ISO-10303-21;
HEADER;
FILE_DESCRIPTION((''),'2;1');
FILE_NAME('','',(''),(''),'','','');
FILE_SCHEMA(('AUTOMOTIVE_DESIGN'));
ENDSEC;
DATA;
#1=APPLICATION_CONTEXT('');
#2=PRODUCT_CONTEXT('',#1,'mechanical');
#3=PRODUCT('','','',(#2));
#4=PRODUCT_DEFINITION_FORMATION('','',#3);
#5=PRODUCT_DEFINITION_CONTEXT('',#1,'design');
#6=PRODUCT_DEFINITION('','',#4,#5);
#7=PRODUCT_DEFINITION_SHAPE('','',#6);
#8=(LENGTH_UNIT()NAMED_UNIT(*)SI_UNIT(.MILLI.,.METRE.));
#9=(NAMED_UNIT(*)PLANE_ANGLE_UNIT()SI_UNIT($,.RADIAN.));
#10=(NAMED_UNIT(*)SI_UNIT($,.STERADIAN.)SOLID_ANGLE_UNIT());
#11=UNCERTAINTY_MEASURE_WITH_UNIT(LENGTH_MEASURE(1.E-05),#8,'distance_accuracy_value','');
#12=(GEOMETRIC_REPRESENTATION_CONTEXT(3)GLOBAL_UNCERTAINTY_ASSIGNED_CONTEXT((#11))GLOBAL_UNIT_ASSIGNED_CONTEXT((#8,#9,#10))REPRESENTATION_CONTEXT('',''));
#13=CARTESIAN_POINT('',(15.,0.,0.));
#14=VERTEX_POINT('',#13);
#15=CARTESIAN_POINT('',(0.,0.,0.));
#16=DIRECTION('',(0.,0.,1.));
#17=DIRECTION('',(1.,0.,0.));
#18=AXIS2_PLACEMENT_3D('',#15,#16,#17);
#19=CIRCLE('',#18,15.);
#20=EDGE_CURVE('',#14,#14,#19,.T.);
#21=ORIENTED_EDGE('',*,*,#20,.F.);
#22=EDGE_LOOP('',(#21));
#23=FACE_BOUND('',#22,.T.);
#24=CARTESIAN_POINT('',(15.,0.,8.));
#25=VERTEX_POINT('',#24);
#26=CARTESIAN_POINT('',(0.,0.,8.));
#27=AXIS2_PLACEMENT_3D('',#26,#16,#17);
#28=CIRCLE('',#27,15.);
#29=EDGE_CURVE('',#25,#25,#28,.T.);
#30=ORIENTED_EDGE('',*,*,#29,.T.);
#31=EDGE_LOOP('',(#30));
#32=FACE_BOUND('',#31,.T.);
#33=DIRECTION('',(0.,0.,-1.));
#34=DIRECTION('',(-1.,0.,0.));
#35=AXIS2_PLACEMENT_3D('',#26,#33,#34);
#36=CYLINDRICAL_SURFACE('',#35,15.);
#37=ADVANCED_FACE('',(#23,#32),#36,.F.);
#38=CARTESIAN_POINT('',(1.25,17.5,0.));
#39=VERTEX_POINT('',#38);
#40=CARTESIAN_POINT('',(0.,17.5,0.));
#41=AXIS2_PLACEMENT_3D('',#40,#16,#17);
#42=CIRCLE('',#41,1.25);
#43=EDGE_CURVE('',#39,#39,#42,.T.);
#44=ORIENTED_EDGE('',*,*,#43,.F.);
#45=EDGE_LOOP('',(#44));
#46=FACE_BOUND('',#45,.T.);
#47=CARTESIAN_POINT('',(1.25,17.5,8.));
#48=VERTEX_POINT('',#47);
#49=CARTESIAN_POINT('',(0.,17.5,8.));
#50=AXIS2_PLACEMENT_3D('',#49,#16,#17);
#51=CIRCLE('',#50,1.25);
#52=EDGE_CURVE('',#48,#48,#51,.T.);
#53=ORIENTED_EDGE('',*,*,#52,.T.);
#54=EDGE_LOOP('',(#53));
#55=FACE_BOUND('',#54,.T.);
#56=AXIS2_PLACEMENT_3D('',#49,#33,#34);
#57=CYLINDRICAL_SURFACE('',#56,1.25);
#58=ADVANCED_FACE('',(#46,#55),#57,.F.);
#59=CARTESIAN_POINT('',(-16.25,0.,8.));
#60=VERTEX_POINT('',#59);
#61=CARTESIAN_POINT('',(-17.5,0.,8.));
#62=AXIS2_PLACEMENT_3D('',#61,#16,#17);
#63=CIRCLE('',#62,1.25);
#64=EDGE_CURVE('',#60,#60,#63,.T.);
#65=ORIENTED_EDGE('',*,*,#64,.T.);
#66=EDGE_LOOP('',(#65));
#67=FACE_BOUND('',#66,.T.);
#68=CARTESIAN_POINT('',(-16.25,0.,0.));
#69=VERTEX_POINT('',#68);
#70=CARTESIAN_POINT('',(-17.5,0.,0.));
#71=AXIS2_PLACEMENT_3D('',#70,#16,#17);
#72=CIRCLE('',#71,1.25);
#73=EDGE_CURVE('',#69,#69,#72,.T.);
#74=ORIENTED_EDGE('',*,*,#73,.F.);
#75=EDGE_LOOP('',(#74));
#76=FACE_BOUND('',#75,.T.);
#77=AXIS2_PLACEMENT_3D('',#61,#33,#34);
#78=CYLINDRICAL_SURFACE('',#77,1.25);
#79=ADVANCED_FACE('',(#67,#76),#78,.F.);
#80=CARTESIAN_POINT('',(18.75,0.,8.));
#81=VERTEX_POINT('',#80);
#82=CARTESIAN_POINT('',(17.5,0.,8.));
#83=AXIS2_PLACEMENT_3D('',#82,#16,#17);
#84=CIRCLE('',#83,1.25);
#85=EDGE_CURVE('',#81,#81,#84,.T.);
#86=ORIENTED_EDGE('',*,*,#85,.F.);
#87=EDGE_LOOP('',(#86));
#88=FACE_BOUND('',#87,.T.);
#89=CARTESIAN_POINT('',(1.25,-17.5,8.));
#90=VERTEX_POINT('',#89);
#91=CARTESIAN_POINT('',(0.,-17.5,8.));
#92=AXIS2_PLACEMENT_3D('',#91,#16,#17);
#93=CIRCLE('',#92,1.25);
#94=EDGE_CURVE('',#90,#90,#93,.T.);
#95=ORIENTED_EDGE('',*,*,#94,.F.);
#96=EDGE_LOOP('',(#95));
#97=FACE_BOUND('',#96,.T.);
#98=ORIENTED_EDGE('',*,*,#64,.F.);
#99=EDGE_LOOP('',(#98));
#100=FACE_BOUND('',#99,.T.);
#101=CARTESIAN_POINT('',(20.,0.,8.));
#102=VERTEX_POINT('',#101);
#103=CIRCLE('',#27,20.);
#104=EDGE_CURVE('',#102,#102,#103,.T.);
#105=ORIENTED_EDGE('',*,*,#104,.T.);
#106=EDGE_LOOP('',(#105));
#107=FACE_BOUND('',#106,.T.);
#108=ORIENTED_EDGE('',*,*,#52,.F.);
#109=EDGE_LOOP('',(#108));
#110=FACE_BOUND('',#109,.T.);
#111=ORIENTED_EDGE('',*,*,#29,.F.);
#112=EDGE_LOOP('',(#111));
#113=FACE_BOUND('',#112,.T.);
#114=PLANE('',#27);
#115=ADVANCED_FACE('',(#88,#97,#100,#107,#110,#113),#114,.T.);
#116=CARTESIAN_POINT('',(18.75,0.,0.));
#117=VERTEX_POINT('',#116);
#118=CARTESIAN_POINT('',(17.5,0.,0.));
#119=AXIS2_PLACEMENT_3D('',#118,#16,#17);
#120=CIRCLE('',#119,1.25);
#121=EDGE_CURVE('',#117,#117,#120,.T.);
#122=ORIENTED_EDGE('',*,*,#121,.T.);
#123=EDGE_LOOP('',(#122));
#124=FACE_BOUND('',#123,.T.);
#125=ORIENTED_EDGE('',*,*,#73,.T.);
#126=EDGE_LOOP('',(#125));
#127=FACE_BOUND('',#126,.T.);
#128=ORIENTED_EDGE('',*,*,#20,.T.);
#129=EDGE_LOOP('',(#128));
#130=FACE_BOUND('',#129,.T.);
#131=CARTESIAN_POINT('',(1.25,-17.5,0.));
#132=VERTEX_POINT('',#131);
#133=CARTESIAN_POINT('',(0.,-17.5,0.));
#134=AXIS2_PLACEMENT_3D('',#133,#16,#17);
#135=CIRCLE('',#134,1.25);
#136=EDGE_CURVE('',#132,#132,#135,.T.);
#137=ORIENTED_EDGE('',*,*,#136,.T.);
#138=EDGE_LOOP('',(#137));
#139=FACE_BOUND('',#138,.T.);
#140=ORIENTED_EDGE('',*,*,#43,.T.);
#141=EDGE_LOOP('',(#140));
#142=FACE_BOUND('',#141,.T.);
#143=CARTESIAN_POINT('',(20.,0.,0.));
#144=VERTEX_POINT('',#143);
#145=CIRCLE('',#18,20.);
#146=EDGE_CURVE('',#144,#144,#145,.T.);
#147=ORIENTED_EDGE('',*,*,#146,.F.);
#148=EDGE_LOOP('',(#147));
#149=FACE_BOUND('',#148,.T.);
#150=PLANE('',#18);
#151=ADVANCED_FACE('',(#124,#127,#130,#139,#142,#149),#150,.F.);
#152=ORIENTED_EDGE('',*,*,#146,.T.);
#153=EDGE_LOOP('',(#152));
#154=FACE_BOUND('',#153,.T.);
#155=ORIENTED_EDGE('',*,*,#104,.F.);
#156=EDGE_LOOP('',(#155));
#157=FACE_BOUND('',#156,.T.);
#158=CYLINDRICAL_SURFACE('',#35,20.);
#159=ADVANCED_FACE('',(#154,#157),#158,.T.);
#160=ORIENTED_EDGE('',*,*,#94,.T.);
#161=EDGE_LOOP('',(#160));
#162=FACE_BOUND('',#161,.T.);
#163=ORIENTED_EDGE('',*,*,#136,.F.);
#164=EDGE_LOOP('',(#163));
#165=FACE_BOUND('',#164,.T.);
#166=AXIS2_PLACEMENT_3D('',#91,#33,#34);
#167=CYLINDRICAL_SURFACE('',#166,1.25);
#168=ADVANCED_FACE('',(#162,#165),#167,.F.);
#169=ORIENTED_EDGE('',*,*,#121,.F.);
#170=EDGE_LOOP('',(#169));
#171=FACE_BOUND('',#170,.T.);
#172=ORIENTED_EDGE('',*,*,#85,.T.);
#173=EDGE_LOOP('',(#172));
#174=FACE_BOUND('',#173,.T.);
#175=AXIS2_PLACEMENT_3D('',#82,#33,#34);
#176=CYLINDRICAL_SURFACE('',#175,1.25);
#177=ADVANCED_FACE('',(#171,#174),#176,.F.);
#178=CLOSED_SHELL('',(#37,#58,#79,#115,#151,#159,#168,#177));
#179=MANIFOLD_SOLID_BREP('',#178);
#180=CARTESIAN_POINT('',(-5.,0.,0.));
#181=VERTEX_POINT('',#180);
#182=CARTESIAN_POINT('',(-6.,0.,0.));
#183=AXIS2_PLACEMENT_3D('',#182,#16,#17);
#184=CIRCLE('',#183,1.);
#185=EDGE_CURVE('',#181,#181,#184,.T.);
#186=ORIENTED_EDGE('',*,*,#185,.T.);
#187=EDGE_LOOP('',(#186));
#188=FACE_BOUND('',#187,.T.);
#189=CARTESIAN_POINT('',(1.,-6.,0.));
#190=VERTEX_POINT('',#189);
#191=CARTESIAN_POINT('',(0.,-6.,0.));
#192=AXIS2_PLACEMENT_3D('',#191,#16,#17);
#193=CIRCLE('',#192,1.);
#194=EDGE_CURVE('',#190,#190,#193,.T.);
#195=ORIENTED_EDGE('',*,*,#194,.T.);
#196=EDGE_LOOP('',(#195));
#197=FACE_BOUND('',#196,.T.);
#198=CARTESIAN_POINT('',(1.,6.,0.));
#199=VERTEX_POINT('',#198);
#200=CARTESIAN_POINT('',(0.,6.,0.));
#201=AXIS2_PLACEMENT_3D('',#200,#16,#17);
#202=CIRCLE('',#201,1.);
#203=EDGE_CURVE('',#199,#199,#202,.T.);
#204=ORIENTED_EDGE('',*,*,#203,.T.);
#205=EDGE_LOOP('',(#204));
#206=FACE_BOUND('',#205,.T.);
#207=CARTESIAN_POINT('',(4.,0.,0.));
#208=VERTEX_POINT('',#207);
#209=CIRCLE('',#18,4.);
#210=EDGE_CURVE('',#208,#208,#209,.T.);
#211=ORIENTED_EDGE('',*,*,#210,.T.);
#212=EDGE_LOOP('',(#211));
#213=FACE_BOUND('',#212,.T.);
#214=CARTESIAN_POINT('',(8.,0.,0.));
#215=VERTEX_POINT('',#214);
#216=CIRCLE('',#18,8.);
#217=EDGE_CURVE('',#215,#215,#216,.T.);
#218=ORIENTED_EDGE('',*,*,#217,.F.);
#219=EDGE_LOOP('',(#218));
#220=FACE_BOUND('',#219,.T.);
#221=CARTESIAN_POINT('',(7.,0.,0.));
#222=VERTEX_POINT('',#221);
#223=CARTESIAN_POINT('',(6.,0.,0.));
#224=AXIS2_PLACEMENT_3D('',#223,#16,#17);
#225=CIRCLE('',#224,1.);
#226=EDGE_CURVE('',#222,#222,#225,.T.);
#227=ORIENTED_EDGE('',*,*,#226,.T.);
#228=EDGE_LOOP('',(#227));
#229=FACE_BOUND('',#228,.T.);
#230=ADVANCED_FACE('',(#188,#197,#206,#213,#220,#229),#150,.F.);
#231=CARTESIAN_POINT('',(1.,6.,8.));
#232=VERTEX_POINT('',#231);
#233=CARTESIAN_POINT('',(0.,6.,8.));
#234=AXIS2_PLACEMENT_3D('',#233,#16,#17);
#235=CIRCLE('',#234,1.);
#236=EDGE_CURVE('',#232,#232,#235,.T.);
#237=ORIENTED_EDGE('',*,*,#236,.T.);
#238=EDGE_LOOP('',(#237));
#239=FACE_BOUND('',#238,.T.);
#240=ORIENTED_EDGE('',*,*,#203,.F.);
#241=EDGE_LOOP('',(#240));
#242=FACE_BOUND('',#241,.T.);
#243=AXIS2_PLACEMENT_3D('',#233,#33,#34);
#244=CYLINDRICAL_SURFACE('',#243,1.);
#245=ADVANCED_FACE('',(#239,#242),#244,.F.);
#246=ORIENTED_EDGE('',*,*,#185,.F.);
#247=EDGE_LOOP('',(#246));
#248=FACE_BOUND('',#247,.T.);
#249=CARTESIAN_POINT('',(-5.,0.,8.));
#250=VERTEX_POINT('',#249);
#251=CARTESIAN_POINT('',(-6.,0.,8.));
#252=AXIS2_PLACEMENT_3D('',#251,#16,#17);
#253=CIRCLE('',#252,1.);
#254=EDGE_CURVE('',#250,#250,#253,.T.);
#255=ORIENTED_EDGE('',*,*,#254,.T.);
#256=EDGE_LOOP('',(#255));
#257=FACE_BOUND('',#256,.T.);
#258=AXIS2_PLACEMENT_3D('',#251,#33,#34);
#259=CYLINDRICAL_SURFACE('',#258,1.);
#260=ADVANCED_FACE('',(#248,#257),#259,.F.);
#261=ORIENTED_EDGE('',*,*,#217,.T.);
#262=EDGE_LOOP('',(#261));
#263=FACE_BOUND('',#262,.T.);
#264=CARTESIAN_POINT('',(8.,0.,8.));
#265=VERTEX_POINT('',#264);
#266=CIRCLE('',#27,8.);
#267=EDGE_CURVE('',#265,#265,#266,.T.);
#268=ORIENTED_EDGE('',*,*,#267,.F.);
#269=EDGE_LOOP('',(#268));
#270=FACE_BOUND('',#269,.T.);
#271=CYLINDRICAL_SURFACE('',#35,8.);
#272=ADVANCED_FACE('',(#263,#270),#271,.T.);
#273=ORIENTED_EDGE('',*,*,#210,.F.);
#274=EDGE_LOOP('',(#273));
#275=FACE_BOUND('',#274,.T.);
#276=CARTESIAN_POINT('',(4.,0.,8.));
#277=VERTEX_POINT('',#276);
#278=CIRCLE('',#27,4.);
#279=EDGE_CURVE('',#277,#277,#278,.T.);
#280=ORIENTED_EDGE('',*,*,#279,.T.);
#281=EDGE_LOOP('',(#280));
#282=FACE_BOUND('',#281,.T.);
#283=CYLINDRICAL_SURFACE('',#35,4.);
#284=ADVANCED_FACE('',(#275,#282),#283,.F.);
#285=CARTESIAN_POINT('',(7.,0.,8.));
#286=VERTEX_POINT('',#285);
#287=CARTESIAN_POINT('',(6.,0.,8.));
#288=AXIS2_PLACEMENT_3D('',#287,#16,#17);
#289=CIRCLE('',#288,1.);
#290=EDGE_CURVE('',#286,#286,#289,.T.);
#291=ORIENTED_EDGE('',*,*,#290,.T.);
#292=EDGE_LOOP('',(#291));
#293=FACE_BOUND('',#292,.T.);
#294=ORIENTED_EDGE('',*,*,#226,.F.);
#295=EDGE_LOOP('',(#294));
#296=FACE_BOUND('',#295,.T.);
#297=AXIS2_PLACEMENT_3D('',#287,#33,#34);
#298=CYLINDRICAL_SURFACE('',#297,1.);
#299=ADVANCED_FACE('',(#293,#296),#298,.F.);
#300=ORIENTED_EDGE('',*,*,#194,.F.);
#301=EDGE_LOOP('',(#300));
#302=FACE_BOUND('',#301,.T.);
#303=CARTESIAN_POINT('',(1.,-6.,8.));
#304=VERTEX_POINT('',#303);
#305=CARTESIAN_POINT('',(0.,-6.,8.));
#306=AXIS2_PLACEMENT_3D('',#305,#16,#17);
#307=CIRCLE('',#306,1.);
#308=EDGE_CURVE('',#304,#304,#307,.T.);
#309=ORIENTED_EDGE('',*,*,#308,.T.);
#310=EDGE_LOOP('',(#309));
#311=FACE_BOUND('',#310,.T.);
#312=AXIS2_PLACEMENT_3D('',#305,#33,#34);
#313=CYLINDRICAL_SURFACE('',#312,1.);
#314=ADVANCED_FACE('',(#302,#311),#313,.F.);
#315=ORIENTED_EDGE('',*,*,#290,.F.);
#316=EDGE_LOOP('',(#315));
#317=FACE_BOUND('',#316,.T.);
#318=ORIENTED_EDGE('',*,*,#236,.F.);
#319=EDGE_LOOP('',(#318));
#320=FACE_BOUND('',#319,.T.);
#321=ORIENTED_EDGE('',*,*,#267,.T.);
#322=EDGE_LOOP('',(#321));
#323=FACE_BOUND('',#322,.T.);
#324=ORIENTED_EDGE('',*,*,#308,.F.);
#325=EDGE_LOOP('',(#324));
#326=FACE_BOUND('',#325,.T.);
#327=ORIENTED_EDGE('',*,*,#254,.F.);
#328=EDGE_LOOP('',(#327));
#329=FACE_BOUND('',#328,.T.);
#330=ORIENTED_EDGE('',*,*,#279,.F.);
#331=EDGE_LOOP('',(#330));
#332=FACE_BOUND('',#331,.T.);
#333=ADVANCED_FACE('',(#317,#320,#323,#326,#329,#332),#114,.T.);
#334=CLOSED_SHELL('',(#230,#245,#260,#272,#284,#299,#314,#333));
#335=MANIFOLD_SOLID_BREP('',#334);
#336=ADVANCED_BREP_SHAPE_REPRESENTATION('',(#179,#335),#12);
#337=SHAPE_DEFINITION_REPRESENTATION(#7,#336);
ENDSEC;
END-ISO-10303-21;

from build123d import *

# Parameters (mm, degrees)
SKETCH1_R             = 20
SKETCH1_R_2           = 1.25
SKETCH1_R_3           = 15
BOSS_EXTRUDE1_DEPTH   = 8
SKETCH1_R_4           = 8
SKETCH1_R_5           = 4
SKETCH1_R_6           = 1
BOSS_EXTRUDE1_2_DEPTH = 8


with BuildPart() as part:
    # Sketch1 → Boss-Extrude1 (new body)
    with BuildSketch(Plane.XY):
        Circle(SKETCH1_R)
        with Locations((0, 17.5)):
            Circle(SKETCH1_R_2, mode=Mode.SUBTRACT)
        with Locations((17.5, 0)):
            Circle(SKETCH1_R_2, mode=Mode.SUBTRACT)
        with Locations((0, -17.5)):
            Circle(SKETCH1_R_2, mode=Mode.SUBTRACT)
        with Locations((-17.5, 0)):
            Circle(SKETCH1_R_2, mode=Mode.SUBTRACT)
        Circle(SKETCH1_R_3, mode=Mode.SUBTRACT)
    extrude(amount=BOSS_EXTRUDE1_DEPTH)


with BuildPart() as body_2:
    # Sketch1 → Boss-Extrude1 2 (new body)
    with BuildSketch(Plane.XY):
        Circle(SKETCH1_R_4)
        Circle(SKETCH1_R_5, mode=Mode.SUBTRACT)
        with Locations((0, 6)):
            Circle(SKETCH1_R_6, mode=Mode.SUBTRACT)
        with Locations((6, 0)):
            Circle(SKETCH1_R_6, mode=Mode.SUBTRACT)
        with Locations((0, -6)):
            Circle(SKETCH1_R_6, mode=Mode.SUBTRACT)
        with Locations((-6, 0)):
            Circle(SKETCH1_R_6, mode=Mode.SUBTRACT)
    extrude(amount=BOSS_EXTRUDE1_2_DEPTH)


solid = Compound([part.part, body_2.part])
